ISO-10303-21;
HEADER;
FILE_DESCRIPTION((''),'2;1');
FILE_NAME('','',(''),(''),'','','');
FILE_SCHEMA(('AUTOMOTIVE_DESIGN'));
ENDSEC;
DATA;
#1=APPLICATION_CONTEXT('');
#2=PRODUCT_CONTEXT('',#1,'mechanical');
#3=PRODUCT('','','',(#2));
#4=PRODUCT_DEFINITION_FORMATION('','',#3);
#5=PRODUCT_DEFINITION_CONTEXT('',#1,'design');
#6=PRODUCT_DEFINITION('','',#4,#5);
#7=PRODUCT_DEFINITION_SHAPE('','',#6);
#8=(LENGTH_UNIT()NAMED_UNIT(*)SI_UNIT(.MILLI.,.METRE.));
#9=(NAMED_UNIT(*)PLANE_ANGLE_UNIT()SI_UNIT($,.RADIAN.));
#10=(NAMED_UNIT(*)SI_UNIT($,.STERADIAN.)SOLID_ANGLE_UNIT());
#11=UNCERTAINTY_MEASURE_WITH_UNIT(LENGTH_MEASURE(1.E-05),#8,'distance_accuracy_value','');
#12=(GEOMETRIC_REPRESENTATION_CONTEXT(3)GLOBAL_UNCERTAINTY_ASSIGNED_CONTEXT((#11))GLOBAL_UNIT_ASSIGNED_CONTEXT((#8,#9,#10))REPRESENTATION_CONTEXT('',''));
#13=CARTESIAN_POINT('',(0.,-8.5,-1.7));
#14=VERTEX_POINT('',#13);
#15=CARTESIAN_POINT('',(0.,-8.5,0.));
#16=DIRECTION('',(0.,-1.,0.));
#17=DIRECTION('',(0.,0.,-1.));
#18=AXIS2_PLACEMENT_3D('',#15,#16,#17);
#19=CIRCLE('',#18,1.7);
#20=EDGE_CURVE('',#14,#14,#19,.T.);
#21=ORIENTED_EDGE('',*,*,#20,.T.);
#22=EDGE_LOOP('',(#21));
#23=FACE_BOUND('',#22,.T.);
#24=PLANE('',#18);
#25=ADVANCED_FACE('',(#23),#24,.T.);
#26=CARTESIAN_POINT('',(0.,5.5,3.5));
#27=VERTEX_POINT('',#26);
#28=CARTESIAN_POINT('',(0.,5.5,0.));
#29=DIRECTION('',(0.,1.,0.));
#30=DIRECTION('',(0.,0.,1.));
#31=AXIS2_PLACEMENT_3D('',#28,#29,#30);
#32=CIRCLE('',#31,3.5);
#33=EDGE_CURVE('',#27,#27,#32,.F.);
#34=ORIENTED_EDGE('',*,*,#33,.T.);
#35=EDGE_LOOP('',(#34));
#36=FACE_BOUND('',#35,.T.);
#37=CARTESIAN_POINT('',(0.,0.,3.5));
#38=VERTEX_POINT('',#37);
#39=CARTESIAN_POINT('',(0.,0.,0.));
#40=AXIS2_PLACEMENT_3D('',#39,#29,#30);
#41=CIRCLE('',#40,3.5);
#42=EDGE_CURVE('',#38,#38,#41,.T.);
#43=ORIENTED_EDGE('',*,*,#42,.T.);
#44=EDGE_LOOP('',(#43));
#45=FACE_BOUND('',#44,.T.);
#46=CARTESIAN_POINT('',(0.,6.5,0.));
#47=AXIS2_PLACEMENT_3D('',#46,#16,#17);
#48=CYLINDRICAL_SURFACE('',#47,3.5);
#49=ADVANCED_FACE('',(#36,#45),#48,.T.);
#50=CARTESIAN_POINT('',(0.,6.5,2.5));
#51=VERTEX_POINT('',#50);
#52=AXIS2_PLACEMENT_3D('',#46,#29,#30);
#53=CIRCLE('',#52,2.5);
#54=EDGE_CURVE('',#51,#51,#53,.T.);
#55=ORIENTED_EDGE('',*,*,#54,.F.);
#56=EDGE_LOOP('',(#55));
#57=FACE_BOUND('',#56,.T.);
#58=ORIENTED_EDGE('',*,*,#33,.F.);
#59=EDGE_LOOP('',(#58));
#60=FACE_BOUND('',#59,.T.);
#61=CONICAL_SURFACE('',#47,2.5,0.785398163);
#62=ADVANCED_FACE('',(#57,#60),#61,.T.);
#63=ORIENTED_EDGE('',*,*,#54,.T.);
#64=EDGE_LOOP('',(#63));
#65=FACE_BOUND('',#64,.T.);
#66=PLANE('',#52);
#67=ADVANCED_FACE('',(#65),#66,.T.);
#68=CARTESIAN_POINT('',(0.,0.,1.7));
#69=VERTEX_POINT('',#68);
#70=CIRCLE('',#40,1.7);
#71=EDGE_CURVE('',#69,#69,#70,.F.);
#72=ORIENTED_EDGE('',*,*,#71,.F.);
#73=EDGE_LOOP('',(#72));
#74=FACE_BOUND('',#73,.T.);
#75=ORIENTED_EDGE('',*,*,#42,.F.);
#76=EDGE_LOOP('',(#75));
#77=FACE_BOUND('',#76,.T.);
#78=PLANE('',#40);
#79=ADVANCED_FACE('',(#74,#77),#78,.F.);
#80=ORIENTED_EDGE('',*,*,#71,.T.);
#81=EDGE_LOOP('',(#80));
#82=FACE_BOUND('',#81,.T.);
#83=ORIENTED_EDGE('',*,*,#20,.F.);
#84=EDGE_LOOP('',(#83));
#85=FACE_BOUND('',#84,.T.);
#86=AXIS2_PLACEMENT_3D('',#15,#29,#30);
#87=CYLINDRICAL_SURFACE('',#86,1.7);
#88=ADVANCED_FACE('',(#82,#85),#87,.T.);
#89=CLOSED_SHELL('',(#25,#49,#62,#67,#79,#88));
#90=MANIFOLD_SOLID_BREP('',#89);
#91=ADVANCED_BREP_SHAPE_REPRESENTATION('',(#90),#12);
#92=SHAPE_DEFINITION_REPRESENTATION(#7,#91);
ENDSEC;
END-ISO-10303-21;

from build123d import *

# Parameters (mm, degrees)
SKETCH1_R           = 3.5
BOSS_EXTRUDE1_DEPTH = 6.5
CHAMFER1_SIZE       = 1
SKETCH2_R           = 1.7
BOSS_EXTRUDE2_DEPTH = 8.5


with BuildPart() as part:
    # Sketch1 → Boss-Extrude1 (new body)
    with BuildSketch(Plane(origin=(0, 0, 0), x_dir=(1, 0, 0), z_dir=(0, 1, 0))):
        Circle(SKETCH1_R)
    extrude(amount=BOSS_EXTRUDE1_DEPTH)

    # Chamfer1
    chamfer1_edges = [part.edges().sort_by_distance(p)[0] for p in [
        (-3.5, 6.5, 0),
    ]]
    chamfer(chamfer1_edges, length=CHAMFER1_SIZE)

    # Sketch2 → Boss-Extrude2 (add)
    with BuildSketch(Plane.XZ):
        Circle(SKETCH2_R)
    extrude(amount=BOSS_EXTRUDE2_DEPTH)


solid = part.part
